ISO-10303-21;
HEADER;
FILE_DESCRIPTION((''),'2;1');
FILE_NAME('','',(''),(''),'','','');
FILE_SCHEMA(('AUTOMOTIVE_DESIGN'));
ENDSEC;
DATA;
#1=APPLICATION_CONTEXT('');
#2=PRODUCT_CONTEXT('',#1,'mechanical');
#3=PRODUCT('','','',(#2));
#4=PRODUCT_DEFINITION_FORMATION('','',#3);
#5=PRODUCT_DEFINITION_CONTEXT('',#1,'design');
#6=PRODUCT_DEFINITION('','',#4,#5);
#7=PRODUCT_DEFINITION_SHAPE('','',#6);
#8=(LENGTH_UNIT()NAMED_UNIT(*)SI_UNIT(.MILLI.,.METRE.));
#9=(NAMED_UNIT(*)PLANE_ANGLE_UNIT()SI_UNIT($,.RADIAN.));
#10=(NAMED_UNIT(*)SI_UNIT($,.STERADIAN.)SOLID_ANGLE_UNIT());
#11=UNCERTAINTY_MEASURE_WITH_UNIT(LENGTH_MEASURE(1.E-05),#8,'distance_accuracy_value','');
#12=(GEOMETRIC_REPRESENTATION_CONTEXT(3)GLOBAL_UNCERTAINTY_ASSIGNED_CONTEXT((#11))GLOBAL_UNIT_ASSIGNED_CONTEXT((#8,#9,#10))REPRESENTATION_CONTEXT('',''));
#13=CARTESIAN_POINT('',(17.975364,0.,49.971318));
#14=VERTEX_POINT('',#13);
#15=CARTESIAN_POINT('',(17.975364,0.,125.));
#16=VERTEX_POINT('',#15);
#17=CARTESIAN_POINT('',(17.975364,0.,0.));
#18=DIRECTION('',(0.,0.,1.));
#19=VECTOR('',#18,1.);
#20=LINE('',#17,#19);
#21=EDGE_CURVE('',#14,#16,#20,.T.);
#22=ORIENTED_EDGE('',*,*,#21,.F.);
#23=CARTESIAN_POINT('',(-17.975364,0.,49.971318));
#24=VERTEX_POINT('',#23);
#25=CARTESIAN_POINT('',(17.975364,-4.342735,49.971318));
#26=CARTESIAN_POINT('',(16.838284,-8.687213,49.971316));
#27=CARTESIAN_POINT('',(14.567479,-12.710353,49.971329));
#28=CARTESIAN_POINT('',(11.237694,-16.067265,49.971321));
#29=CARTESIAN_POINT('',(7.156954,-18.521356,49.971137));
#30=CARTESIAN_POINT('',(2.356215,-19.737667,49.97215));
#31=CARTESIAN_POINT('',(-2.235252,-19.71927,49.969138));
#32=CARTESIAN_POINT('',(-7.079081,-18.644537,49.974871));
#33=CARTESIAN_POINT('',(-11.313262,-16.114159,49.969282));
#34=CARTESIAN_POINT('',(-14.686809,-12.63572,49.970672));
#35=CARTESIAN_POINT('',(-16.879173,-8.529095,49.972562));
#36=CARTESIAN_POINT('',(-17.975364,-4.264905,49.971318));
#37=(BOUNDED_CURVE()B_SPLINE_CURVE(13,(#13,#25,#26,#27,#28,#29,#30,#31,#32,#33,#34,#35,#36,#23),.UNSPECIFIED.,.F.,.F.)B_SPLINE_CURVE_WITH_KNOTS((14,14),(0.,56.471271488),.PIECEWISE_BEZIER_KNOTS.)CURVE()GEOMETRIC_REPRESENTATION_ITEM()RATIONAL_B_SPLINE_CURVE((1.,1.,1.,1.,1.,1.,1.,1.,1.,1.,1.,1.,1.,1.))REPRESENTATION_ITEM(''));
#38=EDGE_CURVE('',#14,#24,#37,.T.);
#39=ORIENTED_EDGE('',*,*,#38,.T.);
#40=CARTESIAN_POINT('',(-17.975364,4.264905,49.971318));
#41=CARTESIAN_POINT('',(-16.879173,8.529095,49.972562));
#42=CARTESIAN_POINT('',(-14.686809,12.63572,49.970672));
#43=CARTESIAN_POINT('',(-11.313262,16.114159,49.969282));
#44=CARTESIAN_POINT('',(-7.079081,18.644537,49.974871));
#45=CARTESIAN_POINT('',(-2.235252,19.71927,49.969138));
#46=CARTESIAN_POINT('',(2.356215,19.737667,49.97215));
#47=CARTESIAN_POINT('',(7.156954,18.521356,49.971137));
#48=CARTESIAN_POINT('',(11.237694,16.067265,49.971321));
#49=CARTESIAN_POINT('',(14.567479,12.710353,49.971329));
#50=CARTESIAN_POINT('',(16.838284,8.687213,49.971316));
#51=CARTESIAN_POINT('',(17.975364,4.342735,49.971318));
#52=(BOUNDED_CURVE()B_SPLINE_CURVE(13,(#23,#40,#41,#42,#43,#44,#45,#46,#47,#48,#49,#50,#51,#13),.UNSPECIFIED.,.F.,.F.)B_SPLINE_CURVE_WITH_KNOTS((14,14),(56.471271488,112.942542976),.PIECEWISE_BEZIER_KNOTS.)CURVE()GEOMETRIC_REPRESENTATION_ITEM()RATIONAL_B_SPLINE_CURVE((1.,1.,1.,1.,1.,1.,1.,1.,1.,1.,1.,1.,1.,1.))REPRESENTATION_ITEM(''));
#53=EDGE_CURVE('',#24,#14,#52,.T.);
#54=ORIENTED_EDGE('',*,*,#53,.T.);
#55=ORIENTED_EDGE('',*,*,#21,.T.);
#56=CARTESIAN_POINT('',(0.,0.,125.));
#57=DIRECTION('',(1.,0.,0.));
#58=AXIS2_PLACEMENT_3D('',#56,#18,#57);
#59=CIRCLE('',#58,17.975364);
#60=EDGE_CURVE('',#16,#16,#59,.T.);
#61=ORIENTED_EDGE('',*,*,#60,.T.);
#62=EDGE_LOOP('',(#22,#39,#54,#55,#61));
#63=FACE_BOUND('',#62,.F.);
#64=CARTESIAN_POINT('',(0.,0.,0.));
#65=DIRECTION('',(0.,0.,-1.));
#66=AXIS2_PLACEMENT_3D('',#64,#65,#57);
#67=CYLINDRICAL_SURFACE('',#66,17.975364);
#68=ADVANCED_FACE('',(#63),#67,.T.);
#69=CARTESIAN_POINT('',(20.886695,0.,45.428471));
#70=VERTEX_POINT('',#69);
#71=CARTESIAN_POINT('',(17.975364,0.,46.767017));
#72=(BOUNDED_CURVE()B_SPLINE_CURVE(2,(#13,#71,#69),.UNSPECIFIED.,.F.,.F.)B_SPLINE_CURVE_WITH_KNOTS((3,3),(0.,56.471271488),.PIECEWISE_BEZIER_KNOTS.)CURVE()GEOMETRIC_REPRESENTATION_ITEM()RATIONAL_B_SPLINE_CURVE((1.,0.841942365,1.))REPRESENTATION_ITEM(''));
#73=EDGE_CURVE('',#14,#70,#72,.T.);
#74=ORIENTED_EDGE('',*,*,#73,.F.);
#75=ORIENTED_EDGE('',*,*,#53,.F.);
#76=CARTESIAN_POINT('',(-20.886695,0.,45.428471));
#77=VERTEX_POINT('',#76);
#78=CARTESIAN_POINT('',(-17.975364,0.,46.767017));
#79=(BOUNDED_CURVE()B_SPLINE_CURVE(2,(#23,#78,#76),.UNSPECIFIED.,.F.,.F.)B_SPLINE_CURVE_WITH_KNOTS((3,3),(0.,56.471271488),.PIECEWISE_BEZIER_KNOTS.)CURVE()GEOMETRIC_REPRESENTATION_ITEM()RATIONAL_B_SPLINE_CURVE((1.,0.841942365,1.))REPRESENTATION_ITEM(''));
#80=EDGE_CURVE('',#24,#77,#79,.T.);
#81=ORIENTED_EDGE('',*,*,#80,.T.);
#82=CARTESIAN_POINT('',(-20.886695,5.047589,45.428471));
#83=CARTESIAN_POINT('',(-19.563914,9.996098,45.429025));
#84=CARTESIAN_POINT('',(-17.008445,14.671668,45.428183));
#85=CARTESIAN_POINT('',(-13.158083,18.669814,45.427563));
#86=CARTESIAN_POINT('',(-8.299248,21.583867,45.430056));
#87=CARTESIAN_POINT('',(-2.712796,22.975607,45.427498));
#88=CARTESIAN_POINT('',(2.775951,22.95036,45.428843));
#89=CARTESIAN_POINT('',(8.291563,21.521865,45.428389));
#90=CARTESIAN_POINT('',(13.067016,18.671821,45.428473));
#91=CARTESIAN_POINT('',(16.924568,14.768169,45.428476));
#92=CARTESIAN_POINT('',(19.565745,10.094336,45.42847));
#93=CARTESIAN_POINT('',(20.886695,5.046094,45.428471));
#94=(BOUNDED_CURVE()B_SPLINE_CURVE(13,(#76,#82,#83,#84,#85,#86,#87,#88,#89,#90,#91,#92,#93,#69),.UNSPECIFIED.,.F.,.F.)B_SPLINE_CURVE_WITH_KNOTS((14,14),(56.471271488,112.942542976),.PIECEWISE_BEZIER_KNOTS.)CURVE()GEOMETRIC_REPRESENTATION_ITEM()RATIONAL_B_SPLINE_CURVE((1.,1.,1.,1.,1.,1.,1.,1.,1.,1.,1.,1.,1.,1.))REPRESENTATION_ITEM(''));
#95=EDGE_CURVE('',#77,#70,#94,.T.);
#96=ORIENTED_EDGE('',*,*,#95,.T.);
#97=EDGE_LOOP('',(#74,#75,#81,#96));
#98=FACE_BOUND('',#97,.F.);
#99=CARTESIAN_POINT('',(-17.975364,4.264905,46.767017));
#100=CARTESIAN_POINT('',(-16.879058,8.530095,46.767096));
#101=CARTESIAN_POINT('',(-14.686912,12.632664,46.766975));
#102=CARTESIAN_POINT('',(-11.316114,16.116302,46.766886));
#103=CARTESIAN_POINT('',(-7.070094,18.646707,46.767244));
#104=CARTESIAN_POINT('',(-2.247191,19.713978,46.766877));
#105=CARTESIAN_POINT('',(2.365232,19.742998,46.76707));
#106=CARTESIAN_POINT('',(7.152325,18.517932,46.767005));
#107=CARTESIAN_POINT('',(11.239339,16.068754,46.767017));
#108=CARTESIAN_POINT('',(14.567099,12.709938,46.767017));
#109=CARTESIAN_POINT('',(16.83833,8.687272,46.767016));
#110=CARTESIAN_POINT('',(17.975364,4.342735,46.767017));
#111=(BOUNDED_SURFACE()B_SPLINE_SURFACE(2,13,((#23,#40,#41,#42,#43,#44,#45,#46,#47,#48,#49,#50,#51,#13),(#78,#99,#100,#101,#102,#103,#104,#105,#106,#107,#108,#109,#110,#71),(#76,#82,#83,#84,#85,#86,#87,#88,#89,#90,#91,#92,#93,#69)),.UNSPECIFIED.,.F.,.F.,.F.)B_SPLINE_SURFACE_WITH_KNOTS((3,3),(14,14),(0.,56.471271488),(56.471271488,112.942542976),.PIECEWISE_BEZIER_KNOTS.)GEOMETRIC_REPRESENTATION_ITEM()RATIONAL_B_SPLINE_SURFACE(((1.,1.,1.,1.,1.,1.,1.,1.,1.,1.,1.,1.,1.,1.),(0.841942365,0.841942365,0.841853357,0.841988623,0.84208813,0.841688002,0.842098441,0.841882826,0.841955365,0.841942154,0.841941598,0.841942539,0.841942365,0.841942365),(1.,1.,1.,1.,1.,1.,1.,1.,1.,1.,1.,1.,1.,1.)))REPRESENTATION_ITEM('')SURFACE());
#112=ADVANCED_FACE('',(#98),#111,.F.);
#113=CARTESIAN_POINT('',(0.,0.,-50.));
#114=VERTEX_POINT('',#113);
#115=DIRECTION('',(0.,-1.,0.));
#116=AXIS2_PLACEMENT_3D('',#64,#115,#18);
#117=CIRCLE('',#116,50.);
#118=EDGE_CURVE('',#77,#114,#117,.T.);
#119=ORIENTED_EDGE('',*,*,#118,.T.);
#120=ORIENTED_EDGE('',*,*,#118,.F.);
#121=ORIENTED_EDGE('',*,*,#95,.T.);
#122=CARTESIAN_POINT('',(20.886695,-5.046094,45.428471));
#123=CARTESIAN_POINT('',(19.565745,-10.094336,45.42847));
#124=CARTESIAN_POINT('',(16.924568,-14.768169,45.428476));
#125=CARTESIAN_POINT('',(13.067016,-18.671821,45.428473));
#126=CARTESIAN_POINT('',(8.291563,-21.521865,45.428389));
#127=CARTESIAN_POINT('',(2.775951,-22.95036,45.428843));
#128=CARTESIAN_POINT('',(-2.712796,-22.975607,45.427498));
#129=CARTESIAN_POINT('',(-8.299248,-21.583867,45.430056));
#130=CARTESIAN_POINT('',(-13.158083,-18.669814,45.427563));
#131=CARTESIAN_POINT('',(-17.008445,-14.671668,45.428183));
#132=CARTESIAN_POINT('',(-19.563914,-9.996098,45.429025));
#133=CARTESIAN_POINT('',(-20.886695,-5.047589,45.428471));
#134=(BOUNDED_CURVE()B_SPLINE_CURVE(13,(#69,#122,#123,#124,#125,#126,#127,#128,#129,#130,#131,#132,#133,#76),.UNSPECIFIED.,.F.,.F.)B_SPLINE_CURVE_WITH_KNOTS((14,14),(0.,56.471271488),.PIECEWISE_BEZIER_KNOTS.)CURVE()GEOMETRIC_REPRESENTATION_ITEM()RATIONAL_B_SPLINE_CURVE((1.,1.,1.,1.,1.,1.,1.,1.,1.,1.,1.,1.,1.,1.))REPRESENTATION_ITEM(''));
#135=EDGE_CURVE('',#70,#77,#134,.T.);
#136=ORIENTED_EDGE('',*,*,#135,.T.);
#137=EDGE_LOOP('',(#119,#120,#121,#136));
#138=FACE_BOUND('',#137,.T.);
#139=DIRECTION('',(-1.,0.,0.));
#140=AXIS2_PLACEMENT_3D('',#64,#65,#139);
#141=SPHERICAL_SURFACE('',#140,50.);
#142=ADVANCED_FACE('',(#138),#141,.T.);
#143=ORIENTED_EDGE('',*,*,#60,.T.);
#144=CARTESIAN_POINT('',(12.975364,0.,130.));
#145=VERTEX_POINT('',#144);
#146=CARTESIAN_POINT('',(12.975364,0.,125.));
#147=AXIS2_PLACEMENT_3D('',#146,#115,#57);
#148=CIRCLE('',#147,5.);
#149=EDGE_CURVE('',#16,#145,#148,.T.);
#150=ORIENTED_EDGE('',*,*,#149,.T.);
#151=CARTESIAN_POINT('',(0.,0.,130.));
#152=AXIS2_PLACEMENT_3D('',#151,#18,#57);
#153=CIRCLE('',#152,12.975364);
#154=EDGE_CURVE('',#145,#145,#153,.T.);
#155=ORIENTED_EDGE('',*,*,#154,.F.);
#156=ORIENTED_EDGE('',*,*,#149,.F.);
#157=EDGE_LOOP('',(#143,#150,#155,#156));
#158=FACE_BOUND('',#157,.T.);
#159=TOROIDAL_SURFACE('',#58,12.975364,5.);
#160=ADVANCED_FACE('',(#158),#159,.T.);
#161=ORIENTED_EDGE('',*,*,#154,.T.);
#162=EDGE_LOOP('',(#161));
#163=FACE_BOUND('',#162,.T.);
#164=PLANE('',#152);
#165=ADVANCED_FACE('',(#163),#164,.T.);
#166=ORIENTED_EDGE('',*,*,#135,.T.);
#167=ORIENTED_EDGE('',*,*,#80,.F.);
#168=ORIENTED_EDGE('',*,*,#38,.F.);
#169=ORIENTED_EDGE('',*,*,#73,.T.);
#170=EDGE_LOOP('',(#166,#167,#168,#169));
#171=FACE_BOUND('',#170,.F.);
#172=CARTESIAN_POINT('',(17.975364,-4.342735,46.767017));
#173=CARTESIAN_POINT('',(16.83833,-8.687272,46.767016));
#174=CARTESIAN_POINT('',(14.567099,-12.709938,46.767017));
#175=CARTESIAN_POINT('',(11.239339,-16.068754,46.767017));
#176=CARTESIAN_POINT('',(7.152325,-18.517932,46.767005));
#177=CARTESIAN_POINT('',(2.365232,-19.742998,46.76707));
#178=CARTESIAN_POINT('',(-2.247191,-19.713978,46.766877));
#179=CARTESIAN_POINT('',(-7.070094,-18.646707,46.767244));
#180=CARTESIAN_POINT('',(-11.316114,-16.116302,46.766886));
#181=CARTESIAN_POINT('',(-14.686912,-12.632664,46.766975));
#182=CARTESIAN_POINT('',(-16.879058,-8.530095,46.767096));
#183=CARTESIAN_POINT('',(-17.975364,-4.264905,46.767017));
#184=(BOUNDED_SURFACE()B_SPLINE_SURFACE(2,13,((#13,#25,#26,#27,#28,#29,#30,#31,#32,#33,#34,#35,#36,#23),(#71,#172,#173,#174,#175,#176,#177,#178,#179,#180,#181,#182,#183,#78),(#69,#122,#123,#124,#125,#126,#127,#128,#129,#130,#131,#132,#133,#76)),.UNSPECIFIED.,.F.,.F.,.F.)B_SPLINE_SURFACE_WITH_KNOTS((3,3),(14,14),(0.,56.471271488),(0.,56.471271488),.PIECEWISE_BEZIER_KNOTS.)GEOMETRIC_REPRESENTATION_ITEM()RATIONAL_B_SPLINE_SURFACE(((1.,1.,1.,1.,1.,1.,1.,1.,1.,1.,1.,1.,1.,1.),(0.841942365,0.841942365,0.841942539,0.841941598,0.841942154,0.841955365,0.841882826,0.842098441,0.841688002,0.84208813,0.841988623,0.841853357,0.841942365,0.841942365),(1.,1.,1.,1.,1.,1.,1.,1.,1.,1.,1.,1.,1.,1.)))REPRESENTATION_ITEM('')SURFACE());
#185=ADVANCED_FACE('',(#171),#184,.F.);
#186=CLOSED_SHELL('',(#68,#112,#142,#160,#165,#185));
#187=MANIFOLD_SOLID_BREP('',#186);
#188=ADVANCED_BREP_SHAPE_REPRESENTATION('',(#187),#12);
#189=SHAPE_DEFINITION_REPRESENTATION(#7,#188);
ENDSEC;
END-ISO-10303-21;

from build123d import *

# Parameters (mm, degrees)
F2_R     = 17.975364
F3_DEPTH = 130
F4_R     = 5
F5_R     = 5


with BuildPart() as f1:
    # F0 (on Front) → F1 (revolve)
    with BuildSketch(Plane.XZ):
        with BuildLine():
            Line((0, -50), (0, 50))
            ThreePointArc((0, 50), (-50, 0), (0, -50))
        make_face()
    revolve(axis=Axis((0, 0, 0), (0, 0, -1)))

    # F2 (on Top) → F3 (join)
    with BuildSketch(Plane.XY):
        Circle(F2_R)
    extrude(amount=F3_DEPTH)

    # F4
    f4_edges = [f1.edges().sort_by_distance(p)[0] for p in [
        (0, -17.975364, 46.657114),
        (0, 17.975364, 46.657114),
    ]]
    fillet(f4_edges, radius=F4_R)

    # F5
    f5_edges = [f1.edges().sort_by_distance(p)[0] for p in [
        (-17.975364, 0, 130),
    ]]
    fillet(f5_edges, radius=F5_R)


solid = f1.part
